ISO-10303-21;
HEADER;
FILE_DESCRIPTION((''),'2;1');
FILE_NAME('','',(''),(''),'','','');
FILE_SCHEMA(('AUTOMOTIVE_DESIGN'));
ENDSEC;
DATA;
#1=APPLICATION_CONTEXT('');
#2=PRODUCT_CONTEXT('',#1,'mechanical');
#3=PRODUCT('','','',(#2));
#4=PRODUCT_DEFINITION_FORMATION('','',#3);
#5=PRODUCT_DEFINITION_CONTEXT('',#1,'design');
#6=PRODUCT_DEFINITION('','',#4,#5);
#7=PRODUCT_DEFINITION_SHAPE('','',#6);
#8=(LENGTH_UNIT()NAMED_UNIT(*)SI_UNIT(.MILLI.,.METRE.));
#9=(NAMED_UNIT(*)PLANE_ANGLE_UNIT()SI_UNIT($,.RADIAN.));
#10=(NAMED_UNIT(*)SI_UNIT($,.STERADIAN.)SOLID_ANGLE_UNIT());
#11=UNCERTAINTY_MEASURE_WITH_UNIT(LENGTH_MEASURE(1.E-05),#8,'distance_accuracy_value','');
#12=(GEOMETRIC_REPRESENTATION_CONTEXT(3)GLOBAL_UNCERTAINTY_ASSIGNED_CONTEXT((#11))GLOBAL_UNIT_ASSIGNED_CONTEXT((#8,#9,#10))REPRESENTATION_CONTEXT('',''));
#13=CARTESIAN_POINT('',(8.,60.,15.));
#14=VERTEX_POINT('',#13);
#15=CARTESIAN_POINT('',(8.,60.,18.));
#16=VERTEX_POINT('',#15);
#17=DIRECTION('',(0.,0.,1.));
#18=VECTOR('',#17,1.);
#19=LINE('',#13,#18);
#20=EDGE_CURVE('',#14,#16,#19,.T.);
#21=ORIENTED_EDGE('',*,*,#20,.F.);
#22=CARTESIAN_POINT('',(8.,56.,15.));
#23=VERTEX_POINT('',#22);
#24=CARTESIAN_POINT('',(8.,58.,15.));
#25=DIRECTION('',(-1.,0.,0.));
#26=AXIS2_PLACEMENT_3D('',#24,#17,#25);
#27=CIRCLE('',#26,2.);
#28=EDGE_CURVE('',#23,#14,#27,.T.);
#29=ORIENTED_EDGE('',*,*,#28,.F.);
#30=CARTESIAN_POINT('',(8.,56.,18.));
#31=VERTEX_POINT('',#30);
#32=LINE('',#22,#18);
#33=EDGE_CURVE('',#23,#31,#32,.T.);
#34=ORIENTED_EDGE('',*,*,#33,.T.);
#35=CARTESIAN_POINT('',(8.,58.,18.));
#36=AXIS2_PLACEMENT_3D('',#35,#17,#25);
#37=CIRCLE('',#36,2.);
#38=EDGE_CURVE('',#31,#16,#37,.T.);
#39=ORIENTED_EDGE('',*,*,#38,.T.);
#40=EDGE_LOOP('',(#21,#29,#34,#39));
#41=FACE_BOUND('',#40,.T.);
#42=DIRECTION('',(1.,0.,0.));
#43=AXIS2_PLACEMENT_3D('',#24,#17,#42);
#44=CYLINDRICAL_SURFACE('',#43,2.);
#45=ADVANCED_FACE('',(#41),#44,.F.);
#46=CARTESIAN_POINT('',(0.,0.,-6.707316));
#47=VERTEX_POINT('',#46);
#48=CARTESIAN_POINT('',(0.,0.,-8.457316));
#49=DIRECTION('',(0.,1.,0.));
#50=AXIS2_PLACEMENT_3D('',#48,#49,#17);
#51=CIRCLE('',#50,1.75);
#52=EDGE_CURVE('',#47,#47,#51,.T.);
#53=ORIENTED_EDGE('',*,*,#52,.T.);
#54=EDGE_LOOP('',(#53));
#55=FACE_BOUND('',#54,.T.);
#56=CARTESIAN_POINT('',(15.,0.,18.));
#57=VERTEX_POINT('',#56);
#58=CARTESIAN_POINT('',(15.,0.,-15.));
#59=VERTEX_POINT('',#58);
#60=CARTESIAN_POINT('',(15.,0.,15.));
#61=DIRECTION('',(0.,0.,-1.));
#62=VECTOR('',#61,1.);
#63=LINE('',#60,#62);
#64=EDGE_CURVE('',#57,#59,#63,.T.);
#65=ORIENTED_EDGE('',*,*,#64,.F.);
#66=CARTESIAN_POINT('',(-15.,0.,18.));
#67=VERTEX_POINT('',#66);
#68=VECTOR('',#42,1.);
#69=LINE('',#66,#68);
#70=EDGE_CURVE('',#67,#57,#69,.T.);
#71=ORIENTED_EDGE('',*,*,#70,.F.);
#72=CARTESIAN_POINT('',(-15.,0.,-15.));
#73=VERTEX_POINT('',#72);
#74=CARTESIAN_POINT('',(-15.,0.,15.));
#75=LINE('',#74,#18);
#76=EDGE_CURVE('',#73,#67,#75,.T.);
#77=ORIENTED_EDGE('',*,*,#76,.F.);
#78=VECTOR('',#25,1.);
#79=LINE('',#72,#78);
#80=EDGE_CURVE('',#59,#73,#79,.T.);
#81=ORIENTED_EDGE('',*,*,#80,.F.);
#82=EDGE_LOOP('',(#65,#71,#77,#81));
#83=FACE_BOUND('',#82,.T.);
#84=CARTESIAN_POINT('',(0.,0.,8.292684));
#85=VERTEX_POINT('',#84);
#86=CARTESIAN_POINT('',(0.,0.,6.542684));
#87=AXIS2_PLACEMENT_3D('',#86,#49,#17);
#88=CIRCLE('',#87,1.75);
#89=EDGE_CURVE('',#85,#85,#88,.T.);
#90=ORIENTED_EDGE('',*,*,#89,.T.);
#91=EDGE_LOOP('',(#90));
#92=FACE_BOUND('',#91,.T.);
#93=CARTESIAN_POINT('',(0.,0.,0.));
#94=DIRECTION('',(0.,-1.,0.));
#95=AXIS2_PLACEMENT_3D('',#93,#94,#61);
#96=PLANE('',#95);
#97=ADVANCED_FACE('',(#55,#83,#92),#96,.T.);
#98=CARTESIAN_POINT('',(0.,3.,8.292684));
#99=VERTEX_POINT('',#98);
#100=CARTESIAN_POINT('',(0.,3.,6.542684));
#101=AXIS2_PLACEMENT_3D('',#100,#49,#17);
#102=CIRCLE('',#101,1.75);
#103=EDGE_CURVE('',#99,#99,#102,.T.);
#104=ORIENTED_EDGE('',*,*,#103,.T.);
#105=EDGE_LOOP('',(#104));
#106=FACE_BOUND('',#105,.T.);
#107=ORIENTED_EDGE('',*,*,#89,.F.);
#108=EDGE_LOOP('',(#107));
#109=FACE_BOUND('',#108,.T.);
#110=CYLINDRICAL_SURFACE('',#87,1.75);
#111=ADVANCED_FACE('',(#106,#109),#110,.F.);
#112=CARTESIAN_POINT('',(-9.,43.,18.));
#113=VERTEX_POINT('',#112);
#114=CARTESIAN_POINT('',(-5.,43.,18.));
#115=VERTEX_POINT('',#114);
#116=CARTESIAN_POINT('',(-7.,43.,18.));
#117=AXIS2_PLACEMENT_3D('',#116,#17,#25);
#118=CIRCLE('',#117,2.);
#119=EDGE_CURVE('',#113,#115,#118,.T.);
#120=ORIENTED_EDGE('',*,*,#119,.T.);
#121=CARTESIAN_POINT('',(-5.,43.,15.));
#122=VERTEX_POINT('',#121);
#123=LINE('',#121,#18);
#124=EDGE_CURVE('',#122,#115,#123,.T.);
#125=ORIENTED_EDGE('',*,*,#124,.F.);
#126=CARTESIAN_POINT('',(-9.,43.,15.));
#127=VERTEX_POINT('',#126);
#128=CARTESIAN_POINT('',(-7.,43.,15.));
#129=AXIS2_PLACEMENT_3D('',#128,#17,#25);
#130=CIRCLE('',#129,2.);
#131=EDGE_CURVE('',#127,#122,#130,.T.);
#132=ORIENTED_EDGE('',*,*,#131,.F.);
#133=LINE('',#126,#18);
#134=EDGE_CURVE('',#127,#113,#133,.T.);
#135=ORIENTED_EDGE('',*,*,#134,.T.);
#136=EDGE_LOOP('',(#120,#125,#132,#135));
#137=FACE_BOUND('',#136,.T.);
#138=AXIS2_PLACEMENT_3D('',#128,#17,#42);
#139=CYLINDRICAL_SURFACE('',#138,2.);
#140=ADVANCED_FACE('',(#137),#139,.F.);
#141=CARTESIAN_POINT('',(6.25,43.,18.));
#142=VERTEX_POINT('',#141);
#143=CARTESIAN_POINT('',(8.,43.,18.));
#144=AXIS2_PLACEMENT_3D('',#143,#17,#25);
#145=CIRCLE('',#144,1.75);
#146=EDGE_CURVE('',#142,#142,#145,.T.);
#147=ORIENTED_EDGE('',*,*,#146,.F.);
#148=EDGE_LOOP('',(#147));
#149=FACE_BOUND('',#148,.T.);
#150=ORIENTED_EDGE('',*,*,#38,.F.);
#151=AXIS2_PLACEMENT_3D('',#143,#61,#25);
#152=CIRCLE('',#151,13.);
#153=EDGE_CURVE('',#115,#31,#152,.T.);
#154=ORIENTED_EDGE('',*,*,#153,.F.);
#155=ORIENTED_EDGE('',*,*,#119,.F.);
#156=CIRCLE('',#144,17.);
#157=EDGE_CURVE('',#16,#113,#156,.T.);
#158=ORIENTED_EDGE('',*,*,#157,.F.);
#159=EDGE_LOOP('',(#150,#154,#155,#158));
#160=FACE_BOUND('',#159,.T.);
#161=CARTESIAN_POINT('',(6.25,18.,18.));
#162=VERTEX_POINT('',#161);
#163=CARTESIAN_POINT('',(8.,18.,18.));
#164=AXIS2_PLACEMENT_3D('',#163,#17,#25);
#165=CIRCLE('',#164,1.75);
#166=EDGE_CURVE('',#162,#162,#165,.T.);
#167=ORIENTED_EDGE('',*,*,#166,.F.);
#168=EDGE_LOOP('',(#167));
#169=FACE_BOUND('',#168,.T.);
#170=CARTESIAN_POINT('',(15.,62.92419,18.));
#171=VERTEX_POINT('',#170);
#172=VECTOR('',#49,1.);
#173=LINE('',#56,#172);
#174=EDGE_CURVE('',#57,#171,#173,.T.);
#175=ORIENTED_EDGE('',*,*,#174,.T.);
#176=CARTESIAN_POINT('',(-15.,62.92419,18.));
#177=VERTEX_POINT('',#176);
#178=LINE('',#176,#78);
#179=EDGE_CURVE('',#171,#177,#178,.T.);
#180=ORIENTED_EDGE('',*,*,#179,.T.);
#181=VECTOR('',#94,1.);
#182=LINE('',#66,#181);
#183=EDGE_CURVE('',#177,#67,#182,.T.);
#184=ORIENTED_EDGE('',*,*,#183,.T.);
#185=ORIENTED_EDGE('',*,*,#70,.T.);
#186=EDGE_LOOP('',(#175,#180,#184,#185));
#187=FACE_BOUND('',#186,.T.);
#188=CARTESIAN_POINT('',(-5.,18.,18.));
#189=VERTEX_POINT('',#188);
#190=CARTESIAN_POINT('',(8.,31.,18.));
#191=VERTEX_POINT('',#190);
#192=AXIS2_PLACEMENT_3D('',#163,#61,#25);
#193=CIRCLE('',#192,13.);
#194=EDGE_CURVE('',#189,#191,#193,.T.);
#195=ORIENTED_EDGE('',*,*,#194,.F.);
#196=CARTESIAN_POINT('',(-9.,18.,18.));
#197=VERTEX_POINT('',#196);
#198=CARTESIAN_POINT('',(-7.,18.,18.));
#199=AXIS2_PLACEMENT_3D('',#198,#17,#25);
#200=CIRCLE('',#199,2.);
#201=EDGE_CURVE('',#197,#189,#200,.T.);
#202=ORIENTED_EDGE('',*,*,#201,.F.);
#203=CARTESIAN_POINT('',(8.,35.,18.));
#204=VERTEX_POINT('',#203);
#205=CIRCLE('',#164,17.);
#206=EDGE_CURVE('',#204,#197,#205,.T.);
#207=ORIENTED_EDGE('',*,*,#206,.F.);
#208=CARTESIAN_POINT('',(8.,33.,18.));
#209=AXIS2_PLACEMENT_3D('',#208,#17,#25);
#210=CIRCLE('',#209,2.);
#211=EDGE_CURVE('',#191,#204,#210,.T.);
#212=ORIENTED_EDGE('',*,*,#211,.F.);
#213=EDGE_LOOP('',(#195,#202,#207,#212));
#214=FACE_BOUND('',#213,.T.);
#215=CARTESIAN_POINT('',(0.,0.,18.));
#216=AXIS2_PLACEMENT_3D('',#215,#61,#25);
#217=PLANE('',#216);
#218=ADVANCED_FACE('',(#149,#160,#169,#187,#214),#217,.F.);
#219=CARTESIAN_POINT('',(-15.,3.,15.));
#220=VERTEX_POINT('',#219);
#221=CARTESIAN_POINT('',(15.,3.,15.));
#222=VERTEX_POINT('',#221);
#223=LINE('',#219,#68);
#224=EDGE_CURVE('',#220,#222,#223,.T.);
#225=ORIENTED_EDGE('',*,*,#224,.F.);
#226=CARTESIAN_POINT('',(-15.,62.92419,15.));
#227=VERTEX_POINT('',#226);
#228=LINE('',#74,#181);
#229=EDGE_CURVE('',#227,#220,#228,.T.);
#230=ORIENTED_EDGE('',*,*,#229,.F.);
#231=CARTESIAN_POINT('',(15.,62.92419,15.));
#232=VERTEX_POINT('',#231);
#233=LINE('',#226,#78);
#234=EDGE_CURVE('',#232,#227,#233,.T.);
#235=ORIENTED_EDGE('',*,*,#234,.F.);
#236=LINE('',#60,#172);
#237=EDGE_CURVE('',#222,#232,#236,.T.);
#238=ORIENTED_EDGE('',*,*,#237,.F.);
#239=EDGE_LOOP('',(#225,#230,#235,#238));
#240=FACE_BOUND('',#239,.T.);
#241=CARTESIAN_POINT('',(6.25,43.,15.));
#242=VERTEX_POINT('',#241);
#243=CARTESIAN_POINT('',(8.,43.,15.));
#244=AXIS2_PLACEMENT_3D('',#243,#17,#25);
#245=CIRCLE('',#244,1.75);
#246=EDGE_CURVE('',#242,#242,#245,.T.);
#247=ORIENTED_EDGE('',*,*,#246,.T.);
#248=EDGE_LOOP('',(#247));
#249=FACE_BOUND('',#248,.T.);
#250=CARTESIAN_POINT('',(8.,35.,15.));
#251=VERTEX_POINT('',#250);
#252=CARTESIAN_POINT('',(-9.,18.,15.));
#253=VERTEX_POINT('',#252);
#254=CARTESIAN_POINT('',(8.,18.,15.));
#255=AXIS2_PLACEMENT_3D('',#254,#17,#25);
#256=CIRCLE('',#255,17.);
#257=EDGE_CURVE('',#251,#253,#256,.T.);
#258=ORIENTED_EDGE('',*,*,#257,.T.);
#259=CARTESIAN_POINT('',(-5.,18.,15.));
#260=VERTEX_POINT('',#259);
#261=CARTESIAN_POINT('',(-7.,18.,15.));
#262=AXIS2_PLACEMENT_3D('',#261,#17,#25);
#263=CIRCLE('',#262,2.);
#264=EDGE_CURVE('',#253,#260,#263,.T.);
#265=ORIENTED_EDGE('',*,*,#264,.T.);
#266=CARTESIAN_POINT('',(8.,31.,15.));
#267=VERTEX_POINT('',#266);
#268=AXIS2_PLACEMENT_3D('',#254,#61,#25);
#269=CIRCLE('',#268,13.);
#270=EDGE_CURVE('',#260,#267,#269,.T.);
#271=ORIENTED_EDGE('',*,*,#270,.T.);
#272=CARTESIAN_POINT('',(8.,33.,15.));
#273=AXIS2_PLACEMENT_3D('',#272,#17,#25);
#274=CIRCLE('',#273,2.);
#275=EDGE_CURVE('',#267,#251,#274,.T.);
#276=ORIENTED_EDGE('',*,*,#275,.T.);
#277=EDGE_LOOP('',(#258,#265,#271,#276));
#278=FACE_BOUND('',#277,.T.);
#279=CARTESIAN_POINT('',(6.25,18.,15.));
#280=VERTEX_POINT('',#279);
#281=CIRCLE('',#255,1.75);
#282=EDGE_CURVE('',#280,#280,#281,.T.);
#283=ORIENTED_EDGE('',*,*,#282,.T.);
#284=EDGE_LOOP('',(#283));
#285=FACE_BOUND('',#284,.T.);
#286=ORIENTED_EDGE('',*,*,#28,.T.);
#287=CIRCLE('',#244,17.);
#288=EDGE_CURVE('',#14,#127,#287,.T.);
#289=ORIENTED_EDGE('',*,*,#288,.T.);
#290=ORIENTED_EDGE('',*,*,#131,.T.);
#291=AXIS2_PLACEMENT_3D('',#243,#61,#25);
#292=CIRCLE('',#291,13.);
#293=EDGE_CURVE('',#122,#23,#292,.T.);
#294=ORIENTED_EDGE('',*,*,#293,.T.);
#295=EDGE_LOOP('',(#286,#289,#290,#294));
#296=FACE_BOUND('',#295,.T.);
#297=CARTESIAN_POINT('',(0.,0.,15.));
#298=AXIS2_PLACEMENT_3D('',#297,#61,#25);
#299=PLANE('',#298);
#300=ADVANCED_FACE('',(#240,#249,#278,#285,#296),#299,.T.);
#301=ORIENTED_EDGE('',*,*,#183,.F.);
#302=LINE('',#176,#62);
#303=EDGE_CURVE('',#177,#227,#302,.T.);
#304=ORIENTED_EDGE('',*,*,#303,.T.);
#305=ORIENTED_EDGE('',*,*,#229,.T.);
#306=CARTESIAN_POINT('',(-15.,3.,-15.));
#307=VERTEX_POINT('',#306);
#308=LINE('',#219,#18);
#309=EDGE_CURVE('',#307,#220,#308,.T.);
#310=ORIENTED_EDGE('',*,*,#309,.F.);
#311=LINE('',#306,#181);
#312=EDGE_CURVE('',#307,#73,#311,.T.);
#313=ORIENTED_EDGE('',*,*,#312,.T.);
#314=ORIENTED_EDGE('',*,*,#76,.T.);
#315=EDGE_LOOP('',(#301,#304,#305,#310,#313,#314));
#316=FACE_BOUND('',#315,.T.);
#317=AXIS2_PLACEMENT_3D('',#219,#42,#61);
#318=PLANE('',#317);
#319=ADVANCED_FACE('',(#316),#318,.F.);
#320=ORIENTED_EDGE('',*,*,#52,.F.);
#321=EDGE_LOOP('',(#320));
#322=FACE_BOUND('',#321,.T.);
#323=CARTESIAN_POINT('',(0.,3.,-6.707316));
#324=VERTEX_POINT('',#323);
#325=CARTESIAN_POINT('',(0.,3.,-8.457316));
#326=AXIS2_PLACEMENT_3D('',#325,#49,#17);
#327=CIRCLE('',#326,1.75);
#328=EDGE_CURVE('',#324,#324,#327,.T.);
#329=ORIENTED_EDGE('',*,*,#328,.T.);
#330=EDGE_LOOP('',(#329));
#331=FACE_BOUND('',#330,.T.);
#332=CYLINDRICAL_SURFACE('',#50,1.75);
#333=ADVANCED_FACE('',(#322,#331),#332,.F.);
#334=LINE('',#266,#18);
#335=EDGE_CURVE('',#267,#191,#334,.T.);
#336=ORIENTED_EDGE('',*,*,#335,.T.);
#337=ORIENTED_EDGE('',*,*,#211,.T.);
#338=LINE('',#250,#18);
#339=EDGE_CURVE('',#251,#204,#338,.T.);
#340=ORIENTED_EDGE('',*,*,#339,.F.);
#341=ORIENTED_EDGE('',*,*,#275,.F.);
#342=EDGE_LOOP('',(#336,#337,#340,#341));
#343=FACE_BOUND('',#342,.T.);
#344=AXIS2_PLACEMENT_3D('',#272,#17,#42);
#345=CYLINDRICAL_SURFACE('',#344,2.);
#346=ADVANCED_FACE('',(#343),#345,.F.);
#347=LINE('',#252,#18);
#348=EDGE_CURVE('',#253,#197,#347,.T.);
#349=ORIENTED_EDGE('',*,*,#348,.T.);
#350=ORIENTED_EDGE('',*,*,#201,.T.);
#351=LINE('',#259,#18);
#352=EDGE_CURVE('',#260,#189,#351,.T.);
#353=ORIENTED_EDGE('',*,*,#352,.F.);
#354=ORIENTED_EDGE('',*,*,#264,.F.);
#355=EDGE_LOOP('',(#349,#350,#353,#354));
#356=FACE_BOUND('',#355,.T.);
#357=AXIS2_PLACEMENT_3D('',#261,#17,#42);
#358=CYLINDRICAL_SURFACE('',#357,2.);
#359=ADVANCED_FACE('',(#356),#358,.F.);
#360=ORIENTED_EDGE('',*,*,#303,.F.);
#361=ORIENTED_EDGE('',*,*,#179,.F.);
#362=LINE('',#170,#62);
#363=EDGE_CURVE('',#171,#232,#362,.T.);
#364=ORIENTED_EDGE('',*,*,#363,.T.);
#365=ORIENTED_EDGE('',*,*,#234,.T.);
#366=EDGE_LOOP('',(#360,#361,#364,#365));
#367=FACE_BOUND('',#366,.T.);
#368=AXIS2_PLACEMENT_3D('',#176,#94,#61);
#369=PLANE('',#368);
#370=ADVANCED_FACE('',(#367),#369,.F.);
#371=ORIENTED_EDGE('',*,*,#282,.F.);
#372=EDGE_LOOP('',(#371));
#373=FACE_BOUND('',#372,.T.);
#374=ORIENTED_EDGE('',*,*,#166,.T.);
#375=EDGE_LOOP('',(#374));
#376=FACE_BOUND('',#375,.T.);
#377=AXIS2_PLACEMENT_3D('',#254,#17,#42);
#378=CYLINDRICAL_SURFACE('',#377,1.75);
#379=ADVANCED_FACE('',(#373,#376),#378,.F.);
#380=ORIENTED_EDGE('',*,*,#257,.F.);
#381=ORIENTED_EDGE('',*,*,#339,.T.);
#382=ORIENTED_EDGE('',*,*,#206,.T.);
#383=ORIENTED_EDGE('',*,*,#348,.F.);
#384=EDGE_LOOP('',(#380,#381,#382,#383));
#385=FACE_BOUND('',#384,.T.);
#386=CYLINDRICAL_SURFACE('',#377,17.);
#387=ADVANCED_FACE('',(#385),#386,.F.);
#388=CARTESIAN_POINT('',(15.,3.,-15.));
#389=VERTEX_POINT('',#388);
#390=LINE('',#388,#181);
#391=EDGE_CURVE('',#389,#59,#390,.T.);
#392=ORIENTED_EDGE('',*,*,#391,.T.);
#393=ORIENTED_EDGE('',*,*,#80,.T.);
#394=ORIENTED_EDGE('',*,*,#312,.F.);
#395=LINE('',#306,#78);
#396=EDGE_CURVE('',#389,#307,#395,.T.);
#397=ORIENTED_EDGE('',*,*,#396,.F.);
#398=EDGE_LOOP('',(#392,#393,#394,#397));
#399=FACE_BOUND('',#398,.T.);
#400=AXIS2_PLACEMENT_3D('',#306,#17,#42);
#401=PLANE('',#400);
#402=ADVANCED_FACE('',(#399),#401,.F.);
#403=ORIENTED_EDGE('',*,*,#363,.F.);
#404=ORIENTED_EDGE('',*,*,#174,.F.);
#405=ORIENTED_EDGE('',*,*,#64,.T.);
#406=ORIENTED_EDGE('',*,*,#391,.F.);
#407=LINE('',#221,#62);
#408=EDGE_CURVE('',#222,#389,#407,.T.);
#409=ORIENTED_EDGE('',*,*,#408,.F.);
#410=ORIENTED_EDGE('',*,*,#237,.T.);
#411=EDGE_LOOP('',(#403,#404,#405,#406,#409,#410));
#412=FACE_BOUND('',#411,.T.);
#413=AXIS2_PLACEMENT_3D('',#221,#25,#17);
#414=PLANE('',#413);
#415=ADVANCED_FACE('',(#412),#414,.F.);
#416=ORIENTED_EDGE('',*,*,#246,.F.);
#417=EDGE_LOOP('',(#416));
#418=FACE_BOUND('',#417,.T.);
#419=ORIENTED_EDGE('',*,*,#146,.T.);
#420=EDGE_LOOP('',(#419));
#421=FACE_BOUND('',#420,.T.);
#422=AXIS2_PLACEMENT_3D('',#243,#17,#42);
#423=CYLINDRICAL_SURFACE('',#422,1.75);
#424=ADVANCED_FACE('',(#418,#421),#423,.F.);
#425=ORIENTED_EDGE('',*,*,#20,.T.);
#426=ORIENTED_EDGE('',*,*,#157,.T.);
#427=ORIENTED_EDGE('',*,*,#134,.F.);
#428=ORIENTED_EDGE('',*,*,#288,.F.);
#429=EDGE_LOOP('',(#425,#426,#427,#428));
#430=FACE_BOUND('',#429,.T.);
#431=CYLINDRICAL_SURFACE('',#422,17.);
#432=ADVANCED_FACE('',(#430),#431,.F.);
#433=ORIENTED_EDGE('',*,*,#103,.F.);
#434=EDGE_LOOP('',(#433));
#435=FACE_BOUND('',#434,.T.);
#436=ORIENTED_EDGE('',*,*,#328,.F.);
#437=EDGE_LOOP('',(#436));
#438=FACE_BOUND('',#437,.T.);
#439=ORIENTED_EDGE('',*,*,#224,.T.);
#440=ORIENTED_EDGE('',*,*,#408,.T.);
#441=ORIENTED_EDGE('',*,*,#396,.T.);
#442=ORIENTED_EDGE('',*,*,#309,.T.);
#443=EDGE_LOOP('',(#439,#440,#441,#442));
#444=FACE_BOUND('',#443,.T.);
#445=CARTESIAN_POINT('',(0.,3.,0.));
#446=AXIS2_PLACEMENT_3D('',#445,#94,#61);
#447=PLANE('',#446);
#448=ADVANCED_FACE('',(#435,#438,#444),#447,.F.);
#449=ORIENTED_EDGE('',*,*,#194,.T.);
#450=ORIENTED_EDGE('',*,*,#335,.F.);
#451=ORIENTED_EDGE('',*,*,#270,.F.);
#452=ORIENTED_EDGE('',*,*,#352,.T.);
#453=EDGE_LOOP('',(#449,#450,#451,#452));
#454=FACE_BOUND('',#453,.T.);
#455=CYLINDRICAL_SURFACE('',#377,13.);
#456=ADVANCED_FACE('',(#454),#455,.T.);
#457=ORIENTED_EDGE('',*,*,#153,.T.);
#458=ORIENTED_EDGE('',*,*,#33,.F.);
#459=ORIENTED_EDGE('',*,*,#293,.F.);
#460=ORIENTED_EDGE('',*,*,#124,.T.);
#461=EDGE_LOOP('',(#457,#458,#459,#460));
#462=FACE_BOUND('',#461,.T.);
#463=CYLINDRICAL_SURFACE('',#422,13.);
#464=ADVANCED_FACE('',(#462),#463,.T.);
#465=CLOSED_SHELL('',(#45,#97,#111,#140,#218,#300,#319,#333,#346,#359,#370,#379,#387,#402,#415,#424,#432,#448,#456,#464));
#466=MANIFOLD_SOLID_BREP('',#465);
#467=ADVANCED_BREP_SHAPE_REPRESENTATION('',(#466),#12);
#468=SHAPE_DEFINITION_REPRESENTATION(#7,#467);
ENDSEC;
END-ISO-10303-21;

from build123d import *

# Parameters (mm, degrees)
SKETCH_1_W          = 30
SKETCH_1_H          = 30
EXTRUDE_1_DEPTH     = 3
SKETCH_2_R          = 1.75
CUT_EXTRUDE_1_DEPTH = 3
SKETCH_3_W          = 30
SKETCH_3_H          = 62.924190463
EXTRUDE_2_DEPTH     = 3
SKETCH_4_R          = 1.75
CUT_EXTRUDE_2_DEPTH = 3


with BuildPart() as part:
    # 草图1 → 凸台-拉伸1 (new body)
    with BuildSketch(Plane(origin=(0, 0, 0), x_dir=(1, 0, 0), z_dir=(0, 1, 0))):
        Rectangle(SKETCH_1_W, SKETCH_1_H)
    extrude(amount=EXTRUDE_1_DEPTH)

    # 草图2 → 切除-拉伸1 (cut)
    with BuildSketch(Plane(origin=(0, 3, 0), x_dir=(1, 0, 0), z_dir=(0, 1, 0))):
        with Locations(Location((0, -6.542683553, 0), (0, 0, 270))):
            Circle(SKETCH_2_R)
        with Locations(Location((0, 8.457316447, 0), (0, 0, 270))):
            Circle(SKETCH_2_R)
    extrude(amount=-CUT_EXTRUDE_1_DEPTH, mode=Mode.SUBTRACT)

    # 草图3 → 凸台-拉伸2 (add)
    with BuildSketch(Plane.XY.offset(15)):
        with Locations((0, 31.462095232)):
            Rectangle(SKETCH_3_W, SKETCH_3_H)
    extrude(amount=EXTRUDE_2_DEPTH)

    # 草图4 → 切除-拉伸2 (cut)
    with BuildSketch(Plane.XY.offset(18)):
        with Locations(Location((8, 43, 0), (0, 0, 180))):
            Circle(SKETCH_4_R)
        with Locations(Location((8, 18, 0), (0, 0, 180))):
            Circle(SKETCH_4_R)
        with BuildLine():
            ThreePointArc((8, 60), (10, 58), (8, 56))
            ThreePointArc((8, 56), (-1.192388155, 52.192388155), (-5, 43))
            ThreePointArc((-5, 43), (-7, 41), (-9, 43))
            ThreePointArc((-9, 43), (-4.02081528, 55.02081528), (8, 60))
        make_face()
        with BuildLine():
            ThreePointArc((-5, 18), (-7, 16), (-9, 18))
            ThreePointArc((-9, 18), (-4.02081528, 30.02081528), (8, 35))
            ThreePointArc((8, 35), (10, 33), (8, 31))
            ThreePointArc((8, 31), (-1.192388155, 27.192388155), (-5, 18))
        make_face()
    extrude(amount=-CUT_EXTRUDE_2_DEPTH, mode=Mode.SUBTRACT)


solid = part.part
